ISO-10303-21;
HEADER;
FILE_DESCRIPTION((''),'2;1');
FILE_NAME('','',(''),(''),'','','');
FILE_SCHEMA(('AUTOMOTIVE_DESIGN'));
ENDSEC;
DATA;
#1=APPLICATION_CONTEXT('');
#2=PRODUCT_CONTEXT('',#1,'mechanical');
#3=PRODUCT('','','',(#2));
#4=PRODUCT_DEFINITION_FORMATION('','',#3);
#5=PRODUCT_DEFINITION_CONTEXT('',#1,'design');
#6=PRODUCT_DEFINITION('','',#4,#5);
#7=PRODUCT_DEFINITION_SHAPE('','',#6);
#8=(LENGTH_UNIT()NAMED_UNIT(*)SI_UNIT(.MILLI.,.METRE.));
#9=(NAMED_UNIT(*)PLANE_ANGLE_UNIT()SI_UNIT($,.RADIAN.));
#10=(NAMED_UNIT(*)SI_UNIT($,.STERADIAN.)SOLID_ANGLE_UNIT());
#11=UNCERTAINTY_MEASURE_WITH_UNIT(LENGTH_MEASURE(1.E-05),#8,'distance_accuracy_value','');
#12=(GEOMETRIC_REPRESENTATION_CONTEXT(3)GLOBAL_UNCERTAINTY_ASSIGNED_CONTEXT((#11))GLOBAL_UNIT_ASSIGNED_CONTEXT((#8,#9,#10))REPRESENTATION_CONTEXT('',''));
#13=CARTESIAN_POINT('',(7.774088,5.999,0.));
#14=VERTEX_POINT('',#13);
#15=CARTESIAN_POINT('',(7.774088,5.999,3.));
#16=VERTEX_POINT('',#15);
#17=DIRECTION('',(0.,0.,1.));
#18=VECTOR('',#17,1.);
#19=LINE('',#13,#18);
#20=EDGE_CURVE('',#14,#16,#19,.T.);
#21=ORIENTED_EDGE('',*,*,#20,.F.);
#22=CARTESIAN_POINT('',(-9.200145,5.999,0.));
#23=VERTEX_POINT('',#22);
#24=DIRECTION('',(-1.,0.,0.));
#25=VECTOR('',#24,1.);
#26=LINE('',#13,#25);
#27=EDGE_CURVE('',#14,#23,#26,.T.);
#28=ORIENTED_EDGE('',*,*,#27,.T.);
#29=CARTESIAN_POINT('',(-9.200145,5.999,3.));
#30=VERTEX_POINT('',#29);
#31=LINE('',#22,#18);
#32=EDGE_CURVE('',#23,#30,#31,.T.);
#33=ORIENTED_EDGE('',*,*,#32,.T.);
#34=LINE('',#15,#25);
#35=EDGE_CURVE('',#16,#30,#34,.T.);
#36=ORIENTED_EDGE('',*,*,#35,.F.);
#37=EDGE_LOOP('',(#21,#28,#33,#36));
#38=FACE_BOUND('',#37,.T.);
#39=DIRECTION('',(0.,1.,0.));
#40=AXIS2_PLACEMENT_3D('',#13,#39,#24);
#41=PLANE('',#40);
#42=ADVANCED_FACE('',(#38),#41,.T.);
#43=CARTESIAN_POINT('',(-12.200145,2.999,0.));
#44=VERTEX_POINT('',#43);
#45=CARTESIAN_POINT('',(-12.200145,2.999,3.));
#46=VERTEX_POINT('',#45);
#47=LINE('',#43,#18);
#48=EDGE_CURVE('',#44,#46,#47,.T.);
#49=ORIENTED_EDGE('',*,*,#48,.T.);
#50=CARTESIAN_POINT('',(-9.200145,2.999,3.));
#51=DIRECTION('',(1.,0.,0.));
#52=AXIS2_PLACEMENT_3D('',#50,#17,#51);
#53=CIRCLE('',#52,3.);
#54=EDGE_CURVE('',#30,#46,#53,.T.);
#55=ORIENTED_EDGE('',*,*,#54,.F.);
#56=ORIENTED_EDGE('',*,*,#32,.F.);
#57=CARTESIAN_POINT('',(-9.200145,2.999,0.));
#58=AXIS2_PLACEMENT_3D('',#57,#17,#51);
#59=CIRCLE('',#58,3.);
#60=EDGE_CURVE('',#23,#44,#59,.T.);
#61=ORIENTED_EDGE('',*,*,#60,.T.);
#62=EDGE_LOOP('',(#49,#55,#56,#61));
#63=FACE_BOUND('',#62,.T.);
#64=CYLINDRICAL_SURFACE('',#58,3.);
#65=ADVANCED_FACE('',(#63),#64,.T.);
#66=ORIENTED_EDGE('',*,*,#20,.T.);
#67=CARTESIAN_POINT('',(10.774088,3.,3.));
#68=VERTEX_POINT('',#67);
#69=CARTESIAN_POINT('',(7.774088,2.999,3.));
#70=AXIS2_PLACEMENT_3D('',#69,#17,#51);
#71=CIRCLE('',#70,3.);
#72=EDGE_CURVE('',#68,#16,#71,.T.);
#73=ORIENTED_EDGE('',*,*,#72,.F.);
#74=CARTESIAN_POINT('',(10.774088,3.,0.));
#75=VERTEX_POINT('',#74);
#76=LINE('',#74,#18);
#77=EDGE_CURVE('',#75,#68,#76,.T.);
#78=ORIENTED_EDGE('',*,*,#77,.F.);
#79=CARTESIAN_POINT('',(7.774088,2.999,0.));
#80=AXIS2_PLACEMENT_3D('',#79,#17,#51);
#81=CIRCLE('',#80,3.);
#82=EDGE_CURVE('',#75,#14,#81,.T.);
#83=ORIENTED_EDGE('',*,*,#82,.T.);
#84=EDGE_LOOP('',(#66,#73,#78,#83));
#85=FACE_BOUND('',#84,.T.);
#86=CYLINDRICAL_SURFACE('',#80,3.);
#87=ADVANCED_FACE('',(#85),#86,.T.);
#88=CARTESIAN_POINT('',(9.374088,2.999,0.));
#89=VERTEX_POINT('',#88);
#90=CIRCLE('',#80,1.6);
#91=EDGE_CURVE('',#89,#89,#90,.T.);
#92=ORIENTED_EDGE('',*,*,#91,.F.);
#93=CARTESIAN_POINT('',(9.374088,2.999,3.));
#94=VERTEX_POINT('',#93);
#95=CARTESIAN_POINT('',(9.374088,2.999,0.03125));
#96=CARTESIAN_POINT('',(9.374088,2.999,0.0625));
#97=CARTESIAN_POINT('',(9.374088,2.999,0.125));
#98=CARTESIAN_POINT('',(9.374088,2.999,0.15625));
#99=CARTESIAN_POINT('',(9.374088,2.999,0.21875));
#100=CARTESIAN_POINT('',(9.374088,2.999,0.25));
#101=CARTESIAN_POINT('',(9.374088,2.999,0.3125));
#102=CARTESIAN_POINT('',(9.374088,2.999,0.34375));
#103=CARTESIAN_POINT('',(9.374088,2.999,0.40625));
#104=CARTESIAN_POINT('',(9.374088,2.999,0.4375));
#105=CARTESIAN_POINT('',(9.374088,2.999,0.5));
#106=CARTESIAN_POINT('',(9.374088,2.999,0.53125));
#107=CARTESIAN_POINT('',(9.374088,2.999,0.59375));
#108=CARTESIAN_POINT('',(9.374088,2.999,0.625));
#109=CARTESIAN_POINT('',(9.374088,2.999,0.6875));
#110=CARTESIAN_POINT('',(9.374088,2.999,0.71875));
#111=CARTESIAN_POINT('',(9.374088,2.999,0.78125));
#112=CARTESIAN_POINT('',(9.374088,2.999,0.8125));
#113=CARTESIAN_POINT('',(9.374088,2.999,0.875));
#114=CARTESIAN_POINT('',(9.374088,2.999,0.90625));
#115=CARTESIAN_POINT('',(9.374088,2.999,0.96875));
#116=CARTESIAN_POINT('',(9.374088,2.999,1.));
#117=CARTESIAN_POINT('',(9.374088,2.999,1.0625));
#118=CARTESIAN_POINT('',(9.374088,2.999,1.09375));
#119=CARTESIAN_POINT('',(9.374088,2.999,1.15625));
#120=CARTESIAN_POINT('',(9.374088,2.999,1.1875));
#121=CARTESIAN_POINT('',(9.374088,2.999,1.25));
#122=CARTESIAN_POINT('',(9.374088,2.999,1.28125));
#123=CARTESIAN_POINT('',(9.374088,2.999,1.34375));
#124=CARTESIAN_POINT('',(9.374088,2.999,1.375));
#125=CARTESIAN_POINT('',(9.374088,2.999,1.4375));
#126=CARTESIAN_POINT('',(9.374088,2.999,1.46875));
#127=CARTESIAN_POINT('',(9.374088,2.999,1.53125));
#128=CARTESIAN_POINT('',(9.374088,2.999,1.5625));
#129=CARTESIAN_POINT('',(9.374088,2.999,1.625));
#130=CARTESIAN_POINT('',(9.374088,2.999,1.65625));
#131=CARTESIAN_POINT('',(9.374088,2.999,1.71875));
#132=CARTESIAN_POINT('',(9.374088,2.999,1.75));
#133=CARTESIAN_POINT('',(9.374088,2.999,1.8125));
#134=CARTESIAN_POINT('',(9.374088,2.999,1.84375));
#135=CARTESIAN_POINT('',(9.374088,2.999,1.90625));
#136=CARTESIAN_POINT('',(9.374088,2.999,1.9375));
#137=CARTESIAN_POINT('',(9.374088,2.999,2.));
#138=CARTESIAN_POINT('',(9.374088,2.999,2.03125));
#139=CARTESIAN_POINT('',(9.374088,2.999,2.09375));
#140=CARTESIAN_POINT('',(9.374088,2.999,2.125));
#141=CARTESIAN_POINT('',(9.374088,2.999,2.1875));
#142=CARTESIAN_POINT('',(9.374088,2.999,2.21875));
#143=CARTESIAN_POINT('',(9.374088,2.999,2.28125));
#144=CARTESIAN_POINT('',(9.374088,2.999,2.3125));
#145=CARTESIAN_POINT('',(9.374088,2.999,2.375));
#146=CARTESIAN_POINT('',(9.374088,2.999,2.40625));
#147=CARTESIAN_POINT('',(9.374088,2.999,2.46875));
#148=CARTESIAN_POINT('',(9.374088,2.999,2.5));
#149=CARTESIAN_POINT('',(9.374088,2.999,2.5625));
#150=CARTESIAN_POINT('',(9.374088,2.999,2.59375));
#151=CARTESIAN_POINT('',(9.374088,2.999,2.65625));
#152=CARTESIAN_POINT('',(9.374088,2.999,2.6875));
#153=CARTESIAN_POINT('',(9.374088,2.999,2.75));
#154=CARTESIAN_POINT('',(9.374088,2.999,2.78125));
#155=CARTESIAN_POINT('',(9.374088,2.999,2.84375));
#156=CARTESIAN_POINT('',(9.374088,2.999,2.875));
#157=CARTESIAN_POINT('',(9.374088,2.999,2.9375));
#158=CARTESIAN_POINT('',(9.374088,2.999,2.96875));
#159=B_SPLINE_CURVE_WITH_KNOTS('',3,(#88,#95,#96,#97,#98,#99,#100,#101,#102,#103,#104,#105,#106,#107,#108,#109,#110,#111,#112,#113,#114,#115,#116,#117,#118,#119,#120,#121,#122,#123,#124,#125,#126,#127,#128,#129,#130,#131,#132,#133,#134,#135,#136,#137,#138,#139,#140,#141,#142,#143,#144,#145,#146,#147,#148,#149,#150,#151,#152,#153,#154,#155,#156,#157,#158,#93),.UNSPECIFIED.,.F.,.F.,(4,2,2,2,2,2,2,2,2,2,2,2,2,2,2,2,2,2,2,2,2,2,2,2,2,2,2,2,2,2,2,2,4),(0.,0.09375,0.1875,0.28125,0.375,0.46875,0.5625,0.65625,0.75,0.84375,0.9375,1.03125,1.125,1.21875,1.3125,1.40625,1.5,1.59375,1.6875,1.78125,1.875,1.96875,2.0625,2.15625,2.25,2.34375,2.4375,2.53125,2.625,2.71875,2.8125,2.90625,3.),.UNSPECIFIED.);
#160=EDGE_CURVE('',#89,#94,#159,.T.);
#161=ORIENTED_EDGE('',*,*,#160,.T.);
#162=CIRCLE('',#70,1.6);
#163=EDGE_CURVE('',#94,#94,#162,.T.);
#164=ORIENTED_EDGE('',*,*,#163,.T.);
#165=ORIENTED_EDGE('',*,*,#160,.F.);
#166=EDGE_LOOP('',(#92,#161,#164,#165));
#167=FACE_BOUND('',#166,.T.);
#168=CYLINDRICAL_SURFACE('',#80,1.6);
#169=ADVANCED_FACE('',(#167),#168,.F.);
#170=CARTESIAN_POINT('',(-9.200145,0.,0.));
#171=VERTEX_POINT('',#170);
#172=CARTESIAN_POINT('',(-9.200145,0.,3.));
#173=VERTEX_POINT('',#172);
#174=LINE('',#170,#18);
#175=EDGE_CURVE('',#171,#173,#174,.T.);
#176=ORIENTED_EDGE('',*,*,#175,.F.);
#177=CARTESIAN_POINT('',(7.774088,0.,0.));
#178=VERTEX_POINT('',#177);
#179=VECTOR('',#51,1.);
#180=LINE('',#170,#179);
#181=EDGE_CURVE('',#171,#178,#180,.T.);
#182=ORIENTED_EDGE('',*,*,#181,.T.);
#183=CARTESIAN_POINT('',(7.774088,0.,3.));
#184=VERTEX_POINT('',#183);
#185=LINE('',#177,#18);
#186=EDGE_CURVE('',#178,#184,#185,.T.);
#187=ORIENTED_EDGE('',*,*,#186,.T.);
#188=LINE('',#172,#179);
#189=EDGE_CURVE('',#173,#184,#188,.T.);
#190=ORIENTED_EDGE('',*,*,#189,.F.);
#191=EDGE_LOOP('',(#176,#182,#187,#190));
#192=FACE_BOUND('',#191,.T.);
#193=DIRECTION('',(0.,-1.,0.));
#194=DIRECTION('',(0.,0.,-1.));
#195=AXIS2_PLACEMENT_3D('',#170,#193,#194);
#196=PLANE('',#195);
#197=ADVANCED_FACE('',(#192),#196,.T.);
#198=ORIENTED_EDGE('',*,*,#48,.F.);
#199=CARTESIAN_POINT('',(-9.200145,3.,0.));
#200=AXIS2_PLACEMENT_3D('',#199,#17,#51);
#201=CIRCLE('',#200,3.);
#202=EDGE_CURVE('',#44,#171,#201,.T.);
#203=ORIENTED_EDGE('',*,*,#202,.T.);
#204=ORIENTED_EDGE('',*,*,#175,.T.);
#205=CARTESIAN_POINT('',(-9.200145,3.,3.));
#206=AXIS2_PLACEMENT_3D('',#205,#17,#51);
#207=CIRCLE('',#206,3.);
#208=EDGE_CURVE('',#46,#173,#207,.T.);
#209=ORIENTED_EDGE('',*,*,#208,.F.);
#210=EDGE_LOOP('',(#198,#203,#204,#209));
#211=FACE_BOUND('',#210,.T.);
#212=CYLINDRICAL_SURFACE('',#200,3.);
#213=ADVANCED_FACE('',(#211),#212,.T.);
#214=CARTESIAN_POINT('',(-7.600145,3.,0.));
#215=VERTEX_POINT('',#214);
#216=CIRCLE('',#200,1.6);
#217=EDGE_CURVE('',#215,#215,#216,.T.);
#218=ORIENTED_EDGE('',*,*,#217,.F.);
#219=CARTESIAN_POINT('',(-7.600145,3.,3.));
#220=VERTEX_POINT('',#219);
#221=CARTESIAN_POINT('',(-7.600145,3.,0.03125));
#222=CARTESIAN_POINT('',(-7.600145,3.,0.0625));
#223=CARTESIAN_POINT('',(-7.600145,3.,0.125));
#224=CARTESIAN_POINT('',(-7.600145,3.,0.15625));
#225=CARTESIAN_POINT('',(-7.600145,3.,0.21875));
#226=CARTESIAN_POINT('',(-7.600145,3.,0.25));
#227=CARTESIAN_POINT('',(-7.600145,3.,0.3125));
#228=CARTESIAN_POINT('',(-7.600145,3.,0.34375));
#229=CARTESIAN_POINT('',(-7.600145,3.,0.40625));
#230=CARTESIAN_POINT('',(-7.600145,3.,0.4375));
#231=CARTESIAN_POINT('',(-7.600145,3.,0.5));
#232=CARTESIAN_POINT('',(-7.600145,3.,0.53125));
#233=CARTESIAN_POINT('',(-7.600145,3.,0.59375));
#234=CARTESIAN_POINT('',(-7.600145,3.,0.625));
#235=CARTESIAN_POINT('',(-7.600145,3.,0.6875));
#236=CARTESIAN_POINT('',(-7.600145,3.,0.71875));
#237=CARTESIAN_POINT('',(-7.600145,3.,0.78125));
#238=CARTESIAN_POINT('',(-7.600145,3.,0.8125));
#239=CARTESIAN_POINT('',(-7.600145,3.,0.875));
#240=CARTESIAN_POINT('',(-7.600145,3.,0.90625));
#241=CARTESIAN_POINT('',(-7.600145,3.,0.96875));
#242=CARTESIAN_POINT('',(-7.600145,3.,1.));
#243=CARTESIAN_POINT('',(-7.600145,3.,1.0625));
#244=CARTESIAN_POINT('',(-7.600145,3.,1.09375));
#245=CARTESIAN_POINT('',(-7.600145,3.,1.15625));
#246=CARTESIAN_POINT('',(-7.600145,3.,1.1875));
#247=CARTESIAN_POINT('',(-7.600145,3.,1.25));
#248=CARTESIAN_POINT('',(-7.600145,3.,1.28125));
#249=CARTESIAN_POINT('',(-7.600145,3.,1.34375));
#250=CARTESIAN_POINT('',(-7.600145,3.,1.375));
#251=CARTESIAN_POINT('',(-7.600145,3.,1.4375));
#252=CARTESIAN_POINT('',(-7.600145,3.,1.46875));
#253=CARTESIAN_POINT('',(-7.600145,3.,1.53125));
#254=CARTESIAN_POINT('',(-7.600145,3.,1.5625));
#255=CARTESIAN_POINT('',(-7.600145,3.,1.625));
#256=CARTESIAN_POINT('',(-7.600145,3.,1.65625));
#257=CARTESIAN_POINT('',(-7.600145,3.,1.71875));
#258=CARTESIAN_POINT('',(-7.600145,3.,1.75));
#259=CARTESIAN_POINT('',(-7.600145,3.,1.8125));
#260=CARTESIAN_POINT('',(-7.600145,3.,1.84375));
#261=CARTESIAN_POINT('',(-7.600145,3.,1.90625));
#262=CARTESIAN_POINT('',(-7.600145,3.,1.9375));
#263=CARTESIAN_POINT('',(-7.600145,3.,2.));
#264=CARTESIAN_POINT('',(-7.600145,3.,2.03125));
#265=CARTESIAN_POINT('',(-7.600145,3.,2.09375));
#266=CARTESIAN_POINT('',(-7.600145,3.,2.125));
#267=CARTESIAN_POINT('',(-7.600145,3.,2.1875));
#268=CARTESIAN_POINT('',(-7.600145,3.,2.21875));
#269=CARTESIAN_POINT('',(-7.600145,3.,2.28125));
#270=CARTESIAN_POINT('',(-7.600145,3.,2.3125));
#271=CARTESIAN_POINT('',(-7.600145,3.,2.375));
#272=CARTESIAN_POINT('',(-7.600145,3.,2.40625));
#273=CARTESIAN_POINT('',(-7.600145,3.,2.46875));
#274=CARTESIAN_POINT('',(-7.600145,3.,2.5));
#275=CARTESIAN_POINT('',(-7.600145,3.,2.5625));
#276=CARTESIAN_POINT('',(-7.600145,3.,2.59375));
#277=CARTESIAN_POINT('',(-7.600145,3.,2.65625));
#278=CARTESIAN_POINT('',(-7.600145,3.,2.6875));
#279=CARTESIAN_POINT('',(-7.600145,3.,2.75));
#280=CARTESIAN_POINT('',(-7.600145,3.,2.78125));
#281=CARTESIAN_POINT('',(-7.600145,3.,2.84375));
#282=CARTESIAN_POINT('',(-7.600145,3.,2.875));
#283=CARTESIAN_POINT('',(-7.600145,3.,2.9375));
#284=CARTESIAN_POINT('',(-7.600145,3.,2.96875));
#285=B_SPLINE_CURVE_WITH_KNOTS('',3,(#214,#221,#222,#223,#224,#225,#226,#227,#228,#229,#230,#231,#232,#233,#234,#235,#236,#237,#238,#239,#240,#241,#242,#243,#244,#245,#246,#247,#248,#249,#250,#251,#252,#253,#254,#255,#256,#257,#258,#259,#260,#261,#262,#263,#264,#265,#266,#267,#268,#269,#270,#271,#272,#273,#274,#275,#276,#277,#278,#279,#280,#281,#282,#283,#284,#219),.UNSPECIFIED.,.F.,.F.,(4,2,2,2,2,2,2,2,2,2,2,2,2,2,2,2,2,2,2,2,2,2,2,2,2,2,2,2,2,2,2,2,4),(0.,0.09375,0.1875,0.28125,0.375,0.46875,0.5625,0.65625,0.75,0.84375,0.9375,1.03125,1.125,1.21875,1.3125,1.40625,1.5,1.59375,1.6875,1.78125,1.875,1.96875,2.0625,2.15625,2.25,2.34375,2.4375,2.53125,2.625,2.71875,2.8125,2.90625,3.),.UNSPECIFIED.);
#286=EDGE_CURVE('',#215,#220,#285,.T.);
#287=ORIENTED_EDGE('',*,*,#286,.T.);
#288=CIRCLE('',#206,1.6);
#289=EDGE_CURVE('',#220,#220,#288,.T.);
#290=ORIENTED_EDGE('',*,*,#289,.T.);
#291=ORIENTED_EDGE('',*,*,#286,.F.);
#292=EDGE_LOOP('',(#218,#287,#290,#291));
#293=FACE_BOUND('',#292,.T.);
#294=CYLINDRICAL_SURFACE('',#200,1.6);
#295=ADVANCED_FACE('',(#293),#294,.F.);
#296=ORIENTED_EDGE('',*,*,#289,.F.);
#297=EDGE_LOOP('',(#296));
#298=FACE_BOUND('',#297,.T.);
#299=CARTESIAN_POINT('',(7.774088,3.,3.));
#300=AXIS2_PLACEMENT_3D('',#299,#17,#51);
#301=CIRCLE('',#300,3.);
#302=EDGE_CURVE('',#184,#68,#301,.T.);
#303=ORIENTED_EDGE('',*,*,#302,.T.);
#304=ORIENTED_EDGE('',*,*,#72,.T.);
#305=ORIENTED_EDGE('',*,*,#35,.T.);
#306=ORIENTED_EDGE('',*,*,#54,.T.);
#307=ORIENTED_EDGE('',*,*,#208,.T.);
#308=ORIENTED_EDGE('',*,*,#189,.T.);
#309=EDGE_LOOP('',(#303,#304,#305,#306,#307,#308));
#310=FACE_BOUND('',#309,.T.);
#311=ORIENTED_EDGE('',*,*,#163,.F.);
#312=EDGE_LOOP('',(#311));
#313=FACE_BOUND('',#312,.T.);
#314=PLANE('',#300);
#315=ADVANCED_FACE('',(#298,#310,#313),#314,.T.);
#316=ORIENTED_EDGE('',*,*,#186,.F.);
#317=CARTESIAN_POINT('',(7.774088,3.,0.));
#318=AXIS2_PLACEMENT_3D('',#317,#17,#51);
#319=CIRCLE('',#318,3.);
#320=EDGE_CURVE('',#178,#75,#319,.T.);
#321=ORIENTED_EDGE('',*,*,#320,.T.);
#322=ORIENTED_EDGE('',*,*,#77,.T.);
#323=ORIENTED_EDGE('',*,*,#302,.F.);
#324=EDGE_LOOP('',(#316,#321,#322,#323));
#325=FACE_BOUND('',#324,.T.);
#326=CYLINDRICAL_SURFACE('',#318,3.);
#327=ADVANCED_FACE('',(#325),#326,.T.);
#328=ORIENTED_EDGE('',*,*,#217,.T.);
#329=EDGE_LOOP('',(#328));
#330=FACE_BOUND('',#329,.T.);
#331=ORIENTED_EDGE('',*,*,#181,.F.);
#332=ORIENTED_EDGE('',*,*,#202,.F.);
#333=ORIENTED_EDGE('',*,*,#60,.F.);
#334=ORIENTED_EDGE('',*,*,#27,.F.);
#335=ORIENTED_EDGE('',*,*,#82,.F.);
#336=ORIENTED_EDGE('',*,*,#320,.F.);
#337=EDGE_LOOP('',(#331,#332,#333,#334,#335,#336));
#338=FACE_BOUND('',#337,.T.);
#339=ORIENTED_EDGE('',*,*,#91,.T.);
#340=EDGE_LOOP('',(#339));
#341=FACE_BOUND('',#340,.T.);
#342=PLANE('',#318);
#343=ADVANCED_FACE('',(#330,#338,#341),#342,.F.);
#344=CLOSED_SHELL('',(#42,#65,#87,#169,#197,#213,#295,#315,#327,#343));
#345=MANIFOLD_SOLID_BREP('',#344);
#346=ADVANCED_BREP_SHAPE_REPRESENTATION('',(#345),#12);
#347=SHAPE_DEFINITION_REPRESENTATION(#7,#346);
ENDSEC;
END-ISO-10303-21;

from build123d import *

# Parameters (mm, degrees)
SKETCH_1_R          = 1.35
EXTRUDE_1_DEPTH     = 3
SKETCH_2_R          = 1.6
CUT_EXTRUDE_1_DEPTH = 14.922339711


with BuildPart() as part:
    # 草图1 → 凸台-拉伸1 (new body)
    with BuildSketch(Plane.XY.offset(3)):
        with BuildLine():
            Line((7.774087989, 5.999), (-9.200145164, 5.999))
            ThreePointArc((-9.200145164, 5.999), (-11.321465508, 5.120320344), (-12.200145164, 2.999))
            ThreePointArc((-12.200145164, 2.999), (-11.321112092, 0.878326133), (-9.200145331, 0))
            Line((-9.200145331, 0), (7.774087823, 0))
            ThreePointArc((7.774087823, 0), (9.895408166, 0.878679656), (10.774087823, 3))
            ThreePointArc((10.774087823, 3), (9.89505475, 5.120673867), (7.774087989, 5.999))
        make_face()
        with Locations((7.774087823, 3)):
            Circle(SKETCH_1_R, mode=Mode.SUBTRACT)
        with Locations((-9.200145331, 3)):
            Circle(SKETCH_1_R, mode=Mode.SUBTRACT)
    extrude(amount=-EXTRUDE_1_DEPTH)

    # 草图2 → 切除-拉伸1 (cut, through all)
    with BuildSketch(Plane.XY.offset(3)):
        with Locations((-9.200145331, 3)):
            Circle(SKETCH_2_R)
        with Locations((7.774087989, 2.999)):
            Circle(SKETCH_2_R)
    extrude(amount=-CUT_EXTRUDE_1_DEPTH, mode=Mode.SUBTRACT)


solid = part.part
